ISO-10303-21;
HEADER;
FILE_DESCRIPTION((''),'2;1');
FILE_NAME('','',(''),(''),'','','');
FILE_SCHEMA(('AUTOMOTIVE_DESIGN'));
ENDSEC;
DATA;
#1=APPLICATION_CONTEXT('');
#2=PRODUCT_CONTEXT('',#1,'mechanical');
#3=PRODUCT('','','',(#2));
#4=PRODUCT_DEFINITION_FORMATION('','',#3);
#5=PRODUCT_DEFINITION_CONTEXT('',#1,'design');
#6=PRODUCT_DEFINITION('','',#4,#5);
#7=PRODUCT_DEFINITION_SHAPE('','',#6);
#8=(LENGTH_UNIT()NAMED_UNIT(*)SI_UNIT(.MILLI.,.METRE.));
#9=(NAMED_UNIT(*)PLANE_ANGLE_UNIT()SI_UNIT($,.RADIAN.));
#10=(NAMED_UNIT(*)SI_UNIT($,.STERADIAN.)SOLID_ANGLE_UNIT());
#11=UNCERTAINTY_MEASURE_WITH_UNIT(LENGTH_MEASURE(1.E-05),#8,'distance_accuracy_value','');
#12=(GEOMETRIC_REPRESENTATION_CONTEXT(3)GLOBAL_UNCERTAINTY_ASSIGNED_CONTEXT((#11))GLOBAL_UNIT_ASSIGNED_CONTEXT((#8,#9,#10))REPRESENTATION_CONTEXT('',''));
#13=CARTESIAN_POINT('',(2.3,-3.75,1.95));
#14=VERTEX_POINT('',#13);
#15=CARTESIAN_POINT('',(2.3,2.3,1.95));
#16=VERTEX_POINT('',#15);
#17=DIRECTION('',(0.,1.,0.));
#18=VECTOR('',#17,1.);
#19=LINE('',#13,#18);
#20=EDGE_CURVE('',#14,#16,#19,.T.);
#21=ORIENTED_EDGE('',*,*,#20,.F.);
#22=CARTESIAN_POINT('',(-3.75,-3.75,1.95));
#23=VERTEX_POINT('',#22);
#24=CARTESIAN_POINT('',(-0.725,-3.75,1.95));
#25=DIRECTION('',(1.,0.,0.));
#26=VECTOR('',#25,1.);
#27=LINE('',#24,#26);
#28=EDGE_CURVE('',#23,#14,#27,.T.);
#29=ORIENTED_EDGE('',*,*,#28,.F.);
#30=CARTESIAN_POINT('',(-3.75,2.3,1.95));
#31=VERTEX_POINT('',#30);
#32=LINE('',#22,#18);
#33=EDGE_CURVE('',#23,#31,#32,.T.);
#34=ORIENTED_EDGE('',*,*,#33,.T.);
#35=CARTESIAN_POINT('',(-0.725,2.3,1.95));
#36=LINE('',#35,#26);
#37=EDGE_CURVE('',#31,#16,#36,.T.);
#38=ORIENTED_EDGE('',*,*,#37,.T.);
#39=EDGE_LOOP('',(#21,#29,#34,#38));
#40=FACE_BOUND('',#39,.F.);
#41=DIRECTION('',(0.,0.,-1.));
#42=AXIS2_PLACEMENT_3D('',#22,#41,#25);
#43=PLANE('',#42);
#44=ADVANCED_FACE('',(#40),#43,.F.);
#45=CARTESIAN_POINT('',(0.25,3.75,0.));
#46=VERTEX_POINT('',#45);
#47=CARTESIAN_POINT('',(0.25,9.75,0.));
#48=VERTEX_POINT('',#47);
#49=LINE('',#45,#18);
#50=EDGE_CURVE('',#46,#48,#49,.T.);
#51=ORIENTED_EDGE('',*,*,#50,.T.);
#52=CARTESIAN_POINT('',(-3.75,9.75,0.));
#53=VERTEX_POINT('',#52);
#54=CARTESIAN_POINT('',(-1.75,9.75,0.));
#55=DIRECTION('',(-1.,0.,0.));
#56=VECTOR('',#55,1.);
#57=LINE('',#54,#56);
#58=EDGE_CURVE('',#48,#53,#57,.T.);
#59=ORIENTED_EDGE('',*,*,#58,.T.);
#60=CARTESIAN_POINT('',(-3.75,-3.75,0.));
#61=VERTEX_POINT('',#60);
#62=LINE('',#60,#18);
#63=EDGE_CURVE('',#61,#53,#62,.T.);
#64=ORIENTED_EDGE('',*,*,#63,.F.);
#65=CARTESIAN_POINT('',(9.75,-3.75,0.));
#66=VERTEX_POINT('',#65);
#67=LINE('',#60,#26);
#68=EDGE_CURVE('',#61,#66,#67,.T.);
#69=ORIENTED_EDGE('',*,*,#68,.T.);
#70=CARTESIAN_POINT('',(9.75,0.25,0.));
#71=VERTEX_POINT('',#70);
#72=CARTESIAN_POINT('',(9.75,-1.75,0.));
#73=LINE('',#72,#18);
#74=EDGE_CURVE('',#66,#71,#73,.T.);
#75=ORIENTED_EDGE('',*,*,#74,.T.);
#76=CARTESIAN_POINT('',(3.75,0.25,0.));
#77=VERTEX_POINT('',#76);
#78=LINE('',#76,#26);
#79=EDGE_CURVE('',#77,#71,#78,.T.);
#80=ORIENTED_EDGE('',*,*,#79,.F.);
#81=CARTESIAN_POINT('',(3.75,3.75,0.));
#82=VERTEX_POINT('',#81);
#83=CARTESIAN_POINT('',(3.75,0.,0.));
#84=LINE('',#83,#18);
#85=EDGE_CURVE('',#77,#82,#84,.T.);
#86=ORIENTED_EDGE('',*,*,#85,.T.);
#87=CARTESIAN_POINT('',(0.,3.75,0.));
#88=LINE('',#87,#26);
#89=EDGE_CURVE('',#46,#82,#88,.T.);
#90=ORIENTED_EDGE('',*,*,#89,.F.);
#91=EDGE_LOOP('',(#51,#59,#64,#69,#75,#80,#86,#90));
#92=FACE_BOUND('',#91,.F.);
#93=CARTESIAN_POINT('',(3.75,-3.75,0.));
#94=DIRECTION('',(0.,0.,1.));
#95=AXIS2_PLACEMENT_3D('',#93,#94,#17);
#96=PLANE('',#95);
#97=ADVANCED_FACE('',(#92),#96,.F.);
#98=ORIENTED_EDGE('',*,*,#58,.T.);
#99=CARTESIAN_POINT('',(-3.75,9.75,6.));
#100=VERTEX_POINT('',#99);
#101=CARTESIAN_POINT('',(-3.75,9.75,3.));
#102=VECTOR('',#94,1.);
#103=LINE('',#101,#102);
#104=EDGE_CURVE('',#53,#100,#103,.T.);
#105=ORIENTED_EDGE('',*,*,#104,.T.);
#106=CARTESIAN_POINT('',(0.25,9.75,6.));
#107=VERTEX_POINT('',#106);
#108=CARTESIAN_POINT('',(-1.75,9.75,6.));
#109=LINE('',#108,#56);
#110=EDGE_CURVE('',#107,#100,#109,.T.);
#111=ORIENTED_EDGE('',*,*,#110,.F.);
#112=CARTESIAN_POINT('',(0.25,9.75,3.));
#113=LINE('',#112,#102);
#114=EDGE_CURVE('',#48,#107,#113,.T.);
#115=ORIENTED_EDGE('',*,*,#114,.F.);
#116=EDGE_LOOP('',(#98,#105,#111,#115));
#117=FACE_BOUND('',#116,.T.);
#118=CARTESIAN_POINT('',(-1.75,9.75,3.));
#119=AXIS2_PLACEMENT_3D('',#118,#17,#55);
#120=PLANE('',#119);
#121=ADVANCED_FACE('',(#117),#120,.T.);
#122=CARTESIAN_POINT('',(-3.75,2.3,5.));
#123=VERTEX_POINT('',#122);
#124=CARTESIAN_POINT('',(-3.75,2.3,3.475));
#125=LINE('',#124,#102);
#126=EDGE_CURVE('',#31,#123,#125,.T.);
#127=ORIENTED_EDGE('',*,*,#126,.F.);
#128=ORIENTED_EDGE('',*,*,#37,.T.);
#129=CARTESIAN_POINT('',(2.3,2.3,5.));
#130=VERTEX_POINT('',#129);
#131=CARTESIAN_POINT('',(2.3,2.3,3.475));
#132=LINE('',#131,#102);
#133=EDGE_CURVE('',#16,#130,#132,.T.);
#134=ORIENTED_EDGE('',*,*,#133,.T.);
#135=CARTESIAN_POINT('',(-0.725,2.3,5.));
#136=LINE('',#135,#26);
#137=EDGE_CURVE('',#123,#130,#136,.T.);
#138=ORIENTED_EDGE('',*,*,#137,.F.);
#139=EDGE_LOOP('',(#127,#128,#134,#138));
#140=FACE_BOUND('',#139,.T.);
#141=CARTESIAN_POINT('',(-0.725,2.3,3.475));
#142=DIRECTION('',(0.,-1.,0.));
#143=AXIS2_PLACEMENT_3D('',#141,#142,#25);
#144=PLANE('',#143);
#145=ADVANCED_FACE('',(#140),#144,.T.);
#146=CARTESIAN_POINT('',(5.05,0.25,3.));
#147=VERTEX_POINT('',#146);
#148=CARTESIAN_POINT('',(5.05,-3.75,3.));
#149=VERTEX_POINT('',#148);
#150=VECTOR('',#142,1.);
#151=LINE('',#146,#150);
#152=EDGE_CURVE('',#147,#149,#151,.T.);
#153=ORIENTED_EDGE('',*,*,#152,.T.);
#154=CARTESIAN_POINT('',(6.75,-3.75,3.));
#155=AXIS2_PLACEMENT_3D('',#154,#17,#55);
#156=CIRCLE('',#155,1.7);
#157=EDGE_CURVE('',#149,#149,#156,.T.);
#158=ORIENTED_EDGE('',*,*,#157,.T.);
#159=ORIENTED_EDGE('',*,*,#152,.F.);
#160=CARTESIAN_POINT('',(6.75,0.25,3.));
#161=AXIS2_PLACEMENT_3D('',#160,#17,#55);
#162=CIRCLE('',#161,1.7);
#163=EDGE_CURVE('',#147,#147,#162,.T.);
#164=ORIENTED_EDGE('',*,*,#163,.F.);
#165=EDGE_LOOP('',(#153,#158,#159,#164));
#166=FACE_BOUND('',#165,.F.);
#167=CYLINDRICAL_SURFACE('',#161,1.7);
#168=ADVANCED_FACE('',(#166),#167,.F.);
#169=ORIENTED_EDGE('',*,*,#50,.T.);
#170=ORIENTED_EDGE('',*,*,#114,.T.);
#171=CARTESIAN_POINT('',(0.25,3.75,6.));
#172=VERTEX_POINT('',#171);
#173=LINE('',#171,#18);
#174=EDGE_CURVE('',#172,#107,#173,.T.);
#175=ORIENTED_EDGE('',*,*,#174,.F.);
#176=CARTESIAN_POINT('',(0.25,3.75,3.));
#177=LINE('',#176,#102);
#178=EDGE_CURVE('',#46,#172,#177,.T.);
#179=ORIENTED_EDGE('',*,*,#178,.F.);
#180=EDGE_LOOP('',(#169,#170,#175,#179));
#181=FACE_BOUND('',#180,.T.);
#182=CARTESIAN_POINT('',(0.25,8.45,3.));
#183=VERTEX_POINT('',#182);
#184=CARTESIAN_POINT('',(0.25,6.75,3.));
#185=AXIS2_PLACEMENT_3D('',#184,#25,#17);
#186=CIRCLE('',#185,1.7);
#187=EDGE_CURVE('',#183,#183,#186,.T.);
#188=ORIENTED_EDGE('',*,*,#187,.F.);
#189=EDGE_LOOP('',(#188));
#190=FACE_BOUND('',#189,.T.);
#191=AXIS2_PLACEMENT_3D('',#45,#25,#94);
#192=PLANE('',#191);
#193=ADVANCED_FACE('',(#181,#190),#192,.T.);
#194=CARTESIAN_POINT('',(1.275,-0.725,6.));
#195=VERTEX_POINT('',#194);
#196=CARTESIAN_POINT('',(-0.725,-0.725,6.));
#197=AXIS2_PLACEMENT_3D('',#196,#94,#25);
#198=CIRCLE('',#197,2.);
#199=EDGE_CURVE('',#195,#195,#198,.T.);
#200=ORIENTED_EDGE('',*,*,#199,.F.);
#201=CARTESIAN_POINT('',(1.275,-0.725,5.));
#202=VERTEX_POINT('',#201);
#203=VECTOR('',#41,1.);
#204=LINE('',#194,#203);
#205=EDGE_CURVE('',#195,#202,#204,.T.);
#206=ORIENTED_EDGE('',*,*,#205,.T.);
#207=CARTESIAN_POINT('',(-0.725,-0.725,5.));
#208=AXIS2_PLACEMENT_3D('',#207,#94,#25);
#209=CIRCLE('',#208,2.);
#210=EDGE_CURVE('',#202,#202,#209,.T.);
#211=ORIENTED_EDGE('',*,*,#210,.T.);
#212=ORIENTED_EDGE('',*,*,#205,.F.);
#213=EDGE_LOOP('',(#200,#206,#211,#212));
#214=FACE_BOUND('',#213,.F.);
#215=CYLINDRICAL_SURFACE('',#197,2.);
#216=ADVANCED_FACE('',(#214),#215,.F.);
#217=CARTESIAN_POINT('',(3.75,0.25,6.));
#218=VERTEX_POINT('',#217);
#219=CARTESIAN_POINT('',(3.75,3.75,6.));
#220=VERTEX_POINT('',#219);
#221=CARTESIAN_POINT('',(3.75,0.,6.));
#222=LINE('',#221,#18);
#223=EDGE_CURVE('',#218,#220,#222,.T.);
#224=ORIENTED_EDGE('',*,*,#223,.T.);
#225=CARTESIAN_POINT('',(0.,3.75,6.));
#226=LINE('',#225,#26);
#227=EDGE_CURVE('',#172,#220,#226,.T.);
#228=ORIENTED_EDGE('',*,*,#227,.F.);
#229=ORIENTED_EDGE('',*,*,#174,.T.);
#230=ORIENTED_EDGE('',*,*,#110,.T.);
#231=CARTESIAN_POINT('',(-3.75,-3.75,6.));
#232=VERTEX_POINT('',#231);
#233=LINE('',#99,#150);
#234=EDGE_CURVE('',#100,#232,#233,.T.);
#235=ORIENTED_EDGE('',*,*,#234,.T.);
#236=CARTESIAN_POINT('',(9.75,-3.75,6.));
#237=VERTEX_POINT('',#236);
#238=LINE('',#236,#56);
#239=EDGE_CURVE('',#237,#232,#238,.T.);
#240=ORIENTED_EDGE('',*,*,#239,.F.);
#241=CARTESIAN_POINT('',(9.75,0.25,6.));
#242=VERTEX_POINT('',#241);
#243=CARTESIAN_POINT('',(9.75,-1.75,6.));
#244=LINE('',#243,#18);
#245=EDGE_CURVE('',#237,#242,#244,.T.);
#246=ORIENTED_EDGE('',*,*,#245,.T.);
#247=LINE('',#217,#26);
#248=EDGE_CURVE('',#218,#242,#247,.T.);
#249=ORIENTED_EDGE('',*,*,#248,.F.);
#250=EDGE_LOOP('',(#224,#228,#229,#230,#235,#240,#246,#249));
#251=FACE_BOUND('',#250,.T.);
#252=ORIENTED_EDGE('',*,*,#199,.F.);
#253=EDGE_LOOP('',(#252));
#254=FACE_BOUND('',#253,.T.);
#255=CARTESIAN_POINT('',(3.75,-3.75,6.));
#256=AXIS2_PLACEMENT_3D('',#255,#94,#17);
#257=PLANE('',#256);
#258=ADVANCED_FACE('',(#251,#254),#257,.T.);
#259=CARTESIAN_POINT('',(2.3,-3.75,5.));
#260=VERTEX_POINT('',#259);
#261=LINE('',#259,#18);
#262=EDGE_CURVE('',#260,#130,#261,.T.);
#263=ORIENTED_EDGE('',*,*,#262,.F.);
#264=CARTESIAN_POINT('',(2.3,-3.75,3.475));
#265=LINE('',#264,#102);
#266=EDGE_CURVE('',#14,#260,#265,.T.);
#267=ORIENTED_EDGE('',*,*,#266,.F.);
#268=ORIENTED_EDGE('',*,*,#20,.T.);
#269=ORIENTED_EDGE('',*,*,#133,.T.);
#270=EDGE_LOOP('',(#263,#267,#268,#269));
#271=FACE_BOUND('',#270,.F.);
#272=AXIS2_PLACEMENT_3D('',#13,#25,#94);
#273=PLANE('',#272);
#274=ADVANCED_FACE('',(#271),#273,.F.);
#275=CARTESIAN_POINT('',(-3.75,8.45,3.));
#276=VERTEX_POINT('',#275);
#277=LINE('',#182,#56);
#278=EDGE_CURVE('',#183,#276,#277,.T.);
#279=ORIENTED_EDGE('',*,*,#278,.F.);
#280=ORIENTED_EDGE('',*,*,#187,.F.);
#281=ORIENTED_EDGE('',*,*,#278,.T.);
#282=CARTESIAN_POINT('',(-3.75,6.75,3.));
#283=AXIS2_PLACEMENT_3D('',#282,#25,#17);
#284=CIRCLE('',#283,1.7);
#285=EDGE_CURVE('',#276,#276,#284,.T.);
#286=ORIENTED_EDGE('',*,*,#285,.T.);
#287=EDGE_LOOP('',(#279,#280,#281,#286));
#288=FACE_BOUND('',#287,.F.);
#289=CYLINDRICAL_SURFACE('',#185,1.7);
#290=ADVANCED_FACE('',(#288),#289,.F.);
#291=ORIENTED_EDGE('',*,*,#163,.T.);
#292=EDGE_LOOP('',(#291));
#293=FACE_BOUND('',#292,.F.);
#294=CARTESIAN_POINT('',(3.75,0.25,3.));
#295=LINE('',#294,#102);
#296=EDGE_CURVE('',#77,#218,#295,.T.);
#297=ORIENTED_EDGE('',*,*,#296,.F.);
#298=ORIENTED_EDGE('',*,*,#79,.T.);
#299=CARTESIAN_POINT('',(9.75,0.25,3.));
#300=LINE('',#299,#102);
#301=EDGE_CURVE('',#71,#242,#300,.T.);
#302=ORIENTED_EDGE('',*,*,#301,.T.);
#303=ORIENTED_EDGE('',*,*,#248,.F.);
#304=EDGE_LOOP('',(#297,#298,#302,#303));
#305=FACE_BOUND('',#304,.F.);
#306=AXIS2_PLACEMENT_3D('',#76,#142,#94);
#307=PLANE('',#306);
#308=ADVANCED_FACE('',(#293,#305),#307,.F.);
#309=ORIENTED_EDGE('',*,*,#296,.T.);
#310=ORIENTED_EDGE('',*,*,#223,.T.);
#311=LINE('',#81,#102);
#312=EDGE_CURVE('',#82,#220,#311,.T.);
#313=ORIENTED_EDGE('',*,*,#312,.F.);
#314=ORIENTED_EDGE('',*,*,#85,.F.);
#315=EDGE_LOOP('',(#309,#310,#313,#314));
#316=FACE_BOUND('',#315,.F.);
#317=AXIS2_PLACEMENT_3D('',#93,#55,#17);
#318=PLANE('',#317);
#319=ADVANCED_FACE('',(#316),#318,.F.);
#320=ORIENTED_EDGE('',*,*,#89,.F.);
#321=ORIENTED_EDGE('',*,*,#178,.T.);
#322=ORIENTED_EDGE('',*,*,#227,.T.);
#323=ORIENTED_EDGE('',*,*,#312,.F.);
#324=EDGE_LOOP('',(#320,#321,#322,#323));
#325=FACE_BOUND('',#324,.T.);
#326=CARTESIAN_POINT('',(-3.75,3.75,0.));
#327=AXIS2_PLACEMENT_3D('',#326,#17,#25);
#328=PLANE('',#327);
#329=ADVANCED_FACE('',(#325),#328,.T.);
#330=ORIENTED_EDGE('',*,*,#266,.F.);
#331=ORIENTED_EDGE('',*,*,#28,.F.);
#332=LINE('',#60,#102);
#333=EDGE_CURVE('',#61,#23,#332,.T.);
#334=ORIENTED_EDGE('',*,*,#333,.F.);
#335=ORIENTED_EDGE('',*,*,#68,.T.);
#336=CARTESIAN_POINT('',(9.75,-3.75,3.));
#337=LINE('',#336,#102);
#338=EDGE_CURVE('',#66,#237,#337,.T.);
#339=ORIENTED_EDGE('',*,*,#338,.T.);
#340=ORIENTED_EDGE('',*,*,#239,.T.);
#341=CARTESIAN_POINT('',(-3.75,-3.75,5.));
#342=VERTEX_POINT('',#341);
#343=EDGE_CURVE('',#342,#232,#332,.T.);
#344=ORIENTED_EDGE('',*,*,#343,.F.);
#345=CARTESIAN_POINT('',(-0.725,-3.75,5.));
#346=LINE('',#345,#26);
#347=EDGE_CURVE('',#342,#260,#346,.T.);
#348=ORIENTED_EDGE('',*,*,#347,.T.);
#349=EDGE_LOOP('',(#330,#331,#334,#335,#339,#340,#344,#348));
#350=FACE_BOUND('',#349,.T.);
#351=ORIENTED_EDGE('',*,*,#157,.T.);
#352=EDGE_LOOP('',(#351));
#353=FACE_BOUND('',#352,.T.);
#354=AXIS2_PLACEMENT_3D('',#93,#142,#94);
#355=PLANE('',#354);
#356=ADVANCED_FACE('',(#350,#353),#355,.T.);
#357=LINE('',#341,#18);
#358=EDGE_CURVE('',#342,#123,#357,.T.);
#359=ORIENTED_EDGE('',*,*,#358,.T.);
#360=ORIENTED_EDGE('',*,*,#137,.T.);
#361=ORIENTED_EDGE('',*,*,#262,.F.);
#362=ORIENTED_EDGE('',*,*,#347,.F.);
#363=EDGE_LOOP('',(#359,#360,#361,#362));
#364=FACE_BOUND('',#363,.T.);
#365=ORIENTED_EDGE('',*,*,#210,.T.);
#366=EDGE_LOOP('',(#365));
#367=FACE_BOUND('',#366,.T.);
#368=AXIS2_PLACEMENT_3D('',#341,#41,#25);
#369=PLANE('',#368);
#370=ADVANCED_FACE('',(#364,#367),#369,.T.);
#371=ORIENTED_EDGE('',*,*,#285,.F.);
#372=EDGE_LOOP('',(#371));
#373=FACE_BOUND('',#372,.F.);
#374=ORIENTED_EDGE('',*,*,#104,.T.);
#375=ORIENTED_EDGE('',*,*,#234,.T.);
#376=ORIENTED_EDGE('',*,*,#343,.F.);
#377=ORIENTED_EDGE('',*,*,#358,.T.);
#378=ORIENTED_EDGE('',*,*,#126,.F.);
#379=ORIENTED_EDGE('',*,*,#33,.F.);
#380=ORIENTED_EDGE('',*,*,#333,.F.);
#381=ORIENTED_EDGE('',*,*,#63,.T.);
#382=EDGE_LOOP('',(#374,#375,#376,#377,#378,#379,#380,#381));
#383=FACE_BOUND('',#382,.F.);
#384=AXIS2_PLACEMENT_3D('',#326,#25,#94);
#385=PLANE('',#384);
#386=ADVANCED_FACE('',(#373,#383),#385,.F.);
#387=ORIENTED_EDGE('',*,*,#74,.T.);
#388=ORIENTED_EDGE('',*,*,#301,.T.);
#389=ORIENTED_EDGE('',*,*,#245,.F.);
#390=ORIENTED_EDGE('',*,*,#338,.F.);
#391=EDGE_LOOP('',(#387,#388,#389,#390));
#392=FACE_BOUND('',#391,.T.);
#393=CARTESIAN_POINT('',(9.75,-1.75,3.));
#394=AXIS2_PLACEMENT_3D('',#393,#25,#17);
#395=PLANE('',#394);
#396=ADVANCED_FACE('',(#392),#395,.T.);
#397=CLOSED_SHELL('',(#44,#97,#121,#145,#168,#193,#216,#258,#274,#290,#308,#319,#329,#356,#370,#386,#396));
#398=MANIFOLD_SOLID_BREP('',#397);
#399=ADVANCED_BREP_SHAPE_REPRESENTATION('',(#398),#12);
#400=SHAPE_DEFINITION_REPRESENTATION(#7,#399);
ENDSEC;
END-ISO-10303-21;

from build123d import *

# Parameters (mm, degrees)
SKETCH_W        = 7.5
SKETCH_H        = 7.5
PAD_DEPTH       = 6
SKETCH001_W     = 4
SKETCH001_H     = 6
PAD001_DEPTH    = 6
SKETCH002_W     = 4
SKETCH002_H     = 6
PAD002_DEPTH    = 6
SKETCH003_R     = 1.7
HOLE_DEPTH      = 4
HOLE_TIPS_R     = 1.7
SKETCH004_R     = 1.7
HOLE001_DEPTH   = 4
HOLE001_TIPS_R  = 1.7
SKETCH005_W     = 6.05
SKETCH005_H     = 3.05
POCKET_DEPTH    = 6.05
SKETCH006_R     = 2
POCKET001_DEPTH = 1


with BuildPart() as part:
    # Sketch → Pad (new body)
    with BuildSketch(Plane.XY):
        Rectangle(SKETCH_W, SKETCH_H)
    extrude(amount=PAD_DEPTH)

    # Sketch001 (on Face2 of Pad) → Pad001 (join)
    with BuildSketch(Plane(origin=(0, 3.75, 0), x_dir=(-1, 0, 0), z_dir=(0, 1, 0))):
        with Locations((1.75, 3)):
            Rectangle(SKETCH001_W, SKETCH001_H)
    extrude(amount=PAD001_DEPTH)

    # Sketch002 (on Face2 of Pad001) → Pad002 (join)
    with BuildSketch(Plane.YZ.offset(3.75)):
        with Locations((-1.75, 3)):
            Rectangle(SKETCH002_W, SKETCH002_H)
    extrude(amount=PAD002_DEPTH)

    # Sketch003 (on Face6 of Pad002) → Hole (cut)
    with BuildSketch(Plane(origin=(0, 0.25, 0), x_dir=(-1, 0, 0), z_dir=(0, 1, 0))):
        with Locations((-6.75, 3)):
            Circle(SKETCH003_R)
    extrude(amount=-HOLE_DEPTH, mode=Mode.SUBTRACT)

    # Hole tips → Hole tip 1 section 0
    with BuildSketch(Plane(origin=(0, -3.75, 0), x_dir=(-1, 0, 0), z_dir=(0, 1, 0)), mode=Mode.PRIVATE) as hole_tip_1_s0:
        with Locations((-6.75, 3)):
            Circle(HOLE_TIPS_R)
    loft([hole_tip_1_s0.sketch, Vertex(6.75, -4.771463, 3)], mode=Mode.SUBTRACT)

    # Sketch004 (on Face11 of Hole) → Hole001 (cut)
    with BuildSketch(Plane.YZ.offset(0.25)):
        with Locations((6.75, 3)):
            Circle(SKETCH004_R)
    extrude(amount=-HOLE001_DEPTH, mode=Mode.SUBTRACT)

    # Hole001 tips → Hole001 tip 1 section 0
    with BuildSketch(Plane.YZ.offset(-3.75), mode=Mode.PRIVATE) as hole001_tip_1_s0:
        with Locations((6.75, 3)):
            Circle(HOLE001_TIPS_R)
    loft([hole001_tip_1_s0.sketch, Vertex(-4.771463, 6.75, 3)], mode=Mode.SUBTRACT)

    # Sketch005 (on Face2 of Hole001) → Pocket (cut)
    with BuildSketch(Plane.XZ.offset(3.75)):
        with Locations((-0.725, 3.475)):
            Rectangle(SKETCH005_W, SKETCH005_H)
    extrude(amount=-POCKET_DEPTH, mode=Mode.SUBTRACT)

    # Sketch006 (on Face4 of Pocket) → Pocket001 (cut)
    with BuildSketch(Plane.XY.offset(6)):
        with Locations((-0.725, -0.725)):
            Circle(SKETCH006_R)
    extrude(amount=-POCKET001_DEPTH, mode=Mode.SUBTRACT)


solid = part.part
